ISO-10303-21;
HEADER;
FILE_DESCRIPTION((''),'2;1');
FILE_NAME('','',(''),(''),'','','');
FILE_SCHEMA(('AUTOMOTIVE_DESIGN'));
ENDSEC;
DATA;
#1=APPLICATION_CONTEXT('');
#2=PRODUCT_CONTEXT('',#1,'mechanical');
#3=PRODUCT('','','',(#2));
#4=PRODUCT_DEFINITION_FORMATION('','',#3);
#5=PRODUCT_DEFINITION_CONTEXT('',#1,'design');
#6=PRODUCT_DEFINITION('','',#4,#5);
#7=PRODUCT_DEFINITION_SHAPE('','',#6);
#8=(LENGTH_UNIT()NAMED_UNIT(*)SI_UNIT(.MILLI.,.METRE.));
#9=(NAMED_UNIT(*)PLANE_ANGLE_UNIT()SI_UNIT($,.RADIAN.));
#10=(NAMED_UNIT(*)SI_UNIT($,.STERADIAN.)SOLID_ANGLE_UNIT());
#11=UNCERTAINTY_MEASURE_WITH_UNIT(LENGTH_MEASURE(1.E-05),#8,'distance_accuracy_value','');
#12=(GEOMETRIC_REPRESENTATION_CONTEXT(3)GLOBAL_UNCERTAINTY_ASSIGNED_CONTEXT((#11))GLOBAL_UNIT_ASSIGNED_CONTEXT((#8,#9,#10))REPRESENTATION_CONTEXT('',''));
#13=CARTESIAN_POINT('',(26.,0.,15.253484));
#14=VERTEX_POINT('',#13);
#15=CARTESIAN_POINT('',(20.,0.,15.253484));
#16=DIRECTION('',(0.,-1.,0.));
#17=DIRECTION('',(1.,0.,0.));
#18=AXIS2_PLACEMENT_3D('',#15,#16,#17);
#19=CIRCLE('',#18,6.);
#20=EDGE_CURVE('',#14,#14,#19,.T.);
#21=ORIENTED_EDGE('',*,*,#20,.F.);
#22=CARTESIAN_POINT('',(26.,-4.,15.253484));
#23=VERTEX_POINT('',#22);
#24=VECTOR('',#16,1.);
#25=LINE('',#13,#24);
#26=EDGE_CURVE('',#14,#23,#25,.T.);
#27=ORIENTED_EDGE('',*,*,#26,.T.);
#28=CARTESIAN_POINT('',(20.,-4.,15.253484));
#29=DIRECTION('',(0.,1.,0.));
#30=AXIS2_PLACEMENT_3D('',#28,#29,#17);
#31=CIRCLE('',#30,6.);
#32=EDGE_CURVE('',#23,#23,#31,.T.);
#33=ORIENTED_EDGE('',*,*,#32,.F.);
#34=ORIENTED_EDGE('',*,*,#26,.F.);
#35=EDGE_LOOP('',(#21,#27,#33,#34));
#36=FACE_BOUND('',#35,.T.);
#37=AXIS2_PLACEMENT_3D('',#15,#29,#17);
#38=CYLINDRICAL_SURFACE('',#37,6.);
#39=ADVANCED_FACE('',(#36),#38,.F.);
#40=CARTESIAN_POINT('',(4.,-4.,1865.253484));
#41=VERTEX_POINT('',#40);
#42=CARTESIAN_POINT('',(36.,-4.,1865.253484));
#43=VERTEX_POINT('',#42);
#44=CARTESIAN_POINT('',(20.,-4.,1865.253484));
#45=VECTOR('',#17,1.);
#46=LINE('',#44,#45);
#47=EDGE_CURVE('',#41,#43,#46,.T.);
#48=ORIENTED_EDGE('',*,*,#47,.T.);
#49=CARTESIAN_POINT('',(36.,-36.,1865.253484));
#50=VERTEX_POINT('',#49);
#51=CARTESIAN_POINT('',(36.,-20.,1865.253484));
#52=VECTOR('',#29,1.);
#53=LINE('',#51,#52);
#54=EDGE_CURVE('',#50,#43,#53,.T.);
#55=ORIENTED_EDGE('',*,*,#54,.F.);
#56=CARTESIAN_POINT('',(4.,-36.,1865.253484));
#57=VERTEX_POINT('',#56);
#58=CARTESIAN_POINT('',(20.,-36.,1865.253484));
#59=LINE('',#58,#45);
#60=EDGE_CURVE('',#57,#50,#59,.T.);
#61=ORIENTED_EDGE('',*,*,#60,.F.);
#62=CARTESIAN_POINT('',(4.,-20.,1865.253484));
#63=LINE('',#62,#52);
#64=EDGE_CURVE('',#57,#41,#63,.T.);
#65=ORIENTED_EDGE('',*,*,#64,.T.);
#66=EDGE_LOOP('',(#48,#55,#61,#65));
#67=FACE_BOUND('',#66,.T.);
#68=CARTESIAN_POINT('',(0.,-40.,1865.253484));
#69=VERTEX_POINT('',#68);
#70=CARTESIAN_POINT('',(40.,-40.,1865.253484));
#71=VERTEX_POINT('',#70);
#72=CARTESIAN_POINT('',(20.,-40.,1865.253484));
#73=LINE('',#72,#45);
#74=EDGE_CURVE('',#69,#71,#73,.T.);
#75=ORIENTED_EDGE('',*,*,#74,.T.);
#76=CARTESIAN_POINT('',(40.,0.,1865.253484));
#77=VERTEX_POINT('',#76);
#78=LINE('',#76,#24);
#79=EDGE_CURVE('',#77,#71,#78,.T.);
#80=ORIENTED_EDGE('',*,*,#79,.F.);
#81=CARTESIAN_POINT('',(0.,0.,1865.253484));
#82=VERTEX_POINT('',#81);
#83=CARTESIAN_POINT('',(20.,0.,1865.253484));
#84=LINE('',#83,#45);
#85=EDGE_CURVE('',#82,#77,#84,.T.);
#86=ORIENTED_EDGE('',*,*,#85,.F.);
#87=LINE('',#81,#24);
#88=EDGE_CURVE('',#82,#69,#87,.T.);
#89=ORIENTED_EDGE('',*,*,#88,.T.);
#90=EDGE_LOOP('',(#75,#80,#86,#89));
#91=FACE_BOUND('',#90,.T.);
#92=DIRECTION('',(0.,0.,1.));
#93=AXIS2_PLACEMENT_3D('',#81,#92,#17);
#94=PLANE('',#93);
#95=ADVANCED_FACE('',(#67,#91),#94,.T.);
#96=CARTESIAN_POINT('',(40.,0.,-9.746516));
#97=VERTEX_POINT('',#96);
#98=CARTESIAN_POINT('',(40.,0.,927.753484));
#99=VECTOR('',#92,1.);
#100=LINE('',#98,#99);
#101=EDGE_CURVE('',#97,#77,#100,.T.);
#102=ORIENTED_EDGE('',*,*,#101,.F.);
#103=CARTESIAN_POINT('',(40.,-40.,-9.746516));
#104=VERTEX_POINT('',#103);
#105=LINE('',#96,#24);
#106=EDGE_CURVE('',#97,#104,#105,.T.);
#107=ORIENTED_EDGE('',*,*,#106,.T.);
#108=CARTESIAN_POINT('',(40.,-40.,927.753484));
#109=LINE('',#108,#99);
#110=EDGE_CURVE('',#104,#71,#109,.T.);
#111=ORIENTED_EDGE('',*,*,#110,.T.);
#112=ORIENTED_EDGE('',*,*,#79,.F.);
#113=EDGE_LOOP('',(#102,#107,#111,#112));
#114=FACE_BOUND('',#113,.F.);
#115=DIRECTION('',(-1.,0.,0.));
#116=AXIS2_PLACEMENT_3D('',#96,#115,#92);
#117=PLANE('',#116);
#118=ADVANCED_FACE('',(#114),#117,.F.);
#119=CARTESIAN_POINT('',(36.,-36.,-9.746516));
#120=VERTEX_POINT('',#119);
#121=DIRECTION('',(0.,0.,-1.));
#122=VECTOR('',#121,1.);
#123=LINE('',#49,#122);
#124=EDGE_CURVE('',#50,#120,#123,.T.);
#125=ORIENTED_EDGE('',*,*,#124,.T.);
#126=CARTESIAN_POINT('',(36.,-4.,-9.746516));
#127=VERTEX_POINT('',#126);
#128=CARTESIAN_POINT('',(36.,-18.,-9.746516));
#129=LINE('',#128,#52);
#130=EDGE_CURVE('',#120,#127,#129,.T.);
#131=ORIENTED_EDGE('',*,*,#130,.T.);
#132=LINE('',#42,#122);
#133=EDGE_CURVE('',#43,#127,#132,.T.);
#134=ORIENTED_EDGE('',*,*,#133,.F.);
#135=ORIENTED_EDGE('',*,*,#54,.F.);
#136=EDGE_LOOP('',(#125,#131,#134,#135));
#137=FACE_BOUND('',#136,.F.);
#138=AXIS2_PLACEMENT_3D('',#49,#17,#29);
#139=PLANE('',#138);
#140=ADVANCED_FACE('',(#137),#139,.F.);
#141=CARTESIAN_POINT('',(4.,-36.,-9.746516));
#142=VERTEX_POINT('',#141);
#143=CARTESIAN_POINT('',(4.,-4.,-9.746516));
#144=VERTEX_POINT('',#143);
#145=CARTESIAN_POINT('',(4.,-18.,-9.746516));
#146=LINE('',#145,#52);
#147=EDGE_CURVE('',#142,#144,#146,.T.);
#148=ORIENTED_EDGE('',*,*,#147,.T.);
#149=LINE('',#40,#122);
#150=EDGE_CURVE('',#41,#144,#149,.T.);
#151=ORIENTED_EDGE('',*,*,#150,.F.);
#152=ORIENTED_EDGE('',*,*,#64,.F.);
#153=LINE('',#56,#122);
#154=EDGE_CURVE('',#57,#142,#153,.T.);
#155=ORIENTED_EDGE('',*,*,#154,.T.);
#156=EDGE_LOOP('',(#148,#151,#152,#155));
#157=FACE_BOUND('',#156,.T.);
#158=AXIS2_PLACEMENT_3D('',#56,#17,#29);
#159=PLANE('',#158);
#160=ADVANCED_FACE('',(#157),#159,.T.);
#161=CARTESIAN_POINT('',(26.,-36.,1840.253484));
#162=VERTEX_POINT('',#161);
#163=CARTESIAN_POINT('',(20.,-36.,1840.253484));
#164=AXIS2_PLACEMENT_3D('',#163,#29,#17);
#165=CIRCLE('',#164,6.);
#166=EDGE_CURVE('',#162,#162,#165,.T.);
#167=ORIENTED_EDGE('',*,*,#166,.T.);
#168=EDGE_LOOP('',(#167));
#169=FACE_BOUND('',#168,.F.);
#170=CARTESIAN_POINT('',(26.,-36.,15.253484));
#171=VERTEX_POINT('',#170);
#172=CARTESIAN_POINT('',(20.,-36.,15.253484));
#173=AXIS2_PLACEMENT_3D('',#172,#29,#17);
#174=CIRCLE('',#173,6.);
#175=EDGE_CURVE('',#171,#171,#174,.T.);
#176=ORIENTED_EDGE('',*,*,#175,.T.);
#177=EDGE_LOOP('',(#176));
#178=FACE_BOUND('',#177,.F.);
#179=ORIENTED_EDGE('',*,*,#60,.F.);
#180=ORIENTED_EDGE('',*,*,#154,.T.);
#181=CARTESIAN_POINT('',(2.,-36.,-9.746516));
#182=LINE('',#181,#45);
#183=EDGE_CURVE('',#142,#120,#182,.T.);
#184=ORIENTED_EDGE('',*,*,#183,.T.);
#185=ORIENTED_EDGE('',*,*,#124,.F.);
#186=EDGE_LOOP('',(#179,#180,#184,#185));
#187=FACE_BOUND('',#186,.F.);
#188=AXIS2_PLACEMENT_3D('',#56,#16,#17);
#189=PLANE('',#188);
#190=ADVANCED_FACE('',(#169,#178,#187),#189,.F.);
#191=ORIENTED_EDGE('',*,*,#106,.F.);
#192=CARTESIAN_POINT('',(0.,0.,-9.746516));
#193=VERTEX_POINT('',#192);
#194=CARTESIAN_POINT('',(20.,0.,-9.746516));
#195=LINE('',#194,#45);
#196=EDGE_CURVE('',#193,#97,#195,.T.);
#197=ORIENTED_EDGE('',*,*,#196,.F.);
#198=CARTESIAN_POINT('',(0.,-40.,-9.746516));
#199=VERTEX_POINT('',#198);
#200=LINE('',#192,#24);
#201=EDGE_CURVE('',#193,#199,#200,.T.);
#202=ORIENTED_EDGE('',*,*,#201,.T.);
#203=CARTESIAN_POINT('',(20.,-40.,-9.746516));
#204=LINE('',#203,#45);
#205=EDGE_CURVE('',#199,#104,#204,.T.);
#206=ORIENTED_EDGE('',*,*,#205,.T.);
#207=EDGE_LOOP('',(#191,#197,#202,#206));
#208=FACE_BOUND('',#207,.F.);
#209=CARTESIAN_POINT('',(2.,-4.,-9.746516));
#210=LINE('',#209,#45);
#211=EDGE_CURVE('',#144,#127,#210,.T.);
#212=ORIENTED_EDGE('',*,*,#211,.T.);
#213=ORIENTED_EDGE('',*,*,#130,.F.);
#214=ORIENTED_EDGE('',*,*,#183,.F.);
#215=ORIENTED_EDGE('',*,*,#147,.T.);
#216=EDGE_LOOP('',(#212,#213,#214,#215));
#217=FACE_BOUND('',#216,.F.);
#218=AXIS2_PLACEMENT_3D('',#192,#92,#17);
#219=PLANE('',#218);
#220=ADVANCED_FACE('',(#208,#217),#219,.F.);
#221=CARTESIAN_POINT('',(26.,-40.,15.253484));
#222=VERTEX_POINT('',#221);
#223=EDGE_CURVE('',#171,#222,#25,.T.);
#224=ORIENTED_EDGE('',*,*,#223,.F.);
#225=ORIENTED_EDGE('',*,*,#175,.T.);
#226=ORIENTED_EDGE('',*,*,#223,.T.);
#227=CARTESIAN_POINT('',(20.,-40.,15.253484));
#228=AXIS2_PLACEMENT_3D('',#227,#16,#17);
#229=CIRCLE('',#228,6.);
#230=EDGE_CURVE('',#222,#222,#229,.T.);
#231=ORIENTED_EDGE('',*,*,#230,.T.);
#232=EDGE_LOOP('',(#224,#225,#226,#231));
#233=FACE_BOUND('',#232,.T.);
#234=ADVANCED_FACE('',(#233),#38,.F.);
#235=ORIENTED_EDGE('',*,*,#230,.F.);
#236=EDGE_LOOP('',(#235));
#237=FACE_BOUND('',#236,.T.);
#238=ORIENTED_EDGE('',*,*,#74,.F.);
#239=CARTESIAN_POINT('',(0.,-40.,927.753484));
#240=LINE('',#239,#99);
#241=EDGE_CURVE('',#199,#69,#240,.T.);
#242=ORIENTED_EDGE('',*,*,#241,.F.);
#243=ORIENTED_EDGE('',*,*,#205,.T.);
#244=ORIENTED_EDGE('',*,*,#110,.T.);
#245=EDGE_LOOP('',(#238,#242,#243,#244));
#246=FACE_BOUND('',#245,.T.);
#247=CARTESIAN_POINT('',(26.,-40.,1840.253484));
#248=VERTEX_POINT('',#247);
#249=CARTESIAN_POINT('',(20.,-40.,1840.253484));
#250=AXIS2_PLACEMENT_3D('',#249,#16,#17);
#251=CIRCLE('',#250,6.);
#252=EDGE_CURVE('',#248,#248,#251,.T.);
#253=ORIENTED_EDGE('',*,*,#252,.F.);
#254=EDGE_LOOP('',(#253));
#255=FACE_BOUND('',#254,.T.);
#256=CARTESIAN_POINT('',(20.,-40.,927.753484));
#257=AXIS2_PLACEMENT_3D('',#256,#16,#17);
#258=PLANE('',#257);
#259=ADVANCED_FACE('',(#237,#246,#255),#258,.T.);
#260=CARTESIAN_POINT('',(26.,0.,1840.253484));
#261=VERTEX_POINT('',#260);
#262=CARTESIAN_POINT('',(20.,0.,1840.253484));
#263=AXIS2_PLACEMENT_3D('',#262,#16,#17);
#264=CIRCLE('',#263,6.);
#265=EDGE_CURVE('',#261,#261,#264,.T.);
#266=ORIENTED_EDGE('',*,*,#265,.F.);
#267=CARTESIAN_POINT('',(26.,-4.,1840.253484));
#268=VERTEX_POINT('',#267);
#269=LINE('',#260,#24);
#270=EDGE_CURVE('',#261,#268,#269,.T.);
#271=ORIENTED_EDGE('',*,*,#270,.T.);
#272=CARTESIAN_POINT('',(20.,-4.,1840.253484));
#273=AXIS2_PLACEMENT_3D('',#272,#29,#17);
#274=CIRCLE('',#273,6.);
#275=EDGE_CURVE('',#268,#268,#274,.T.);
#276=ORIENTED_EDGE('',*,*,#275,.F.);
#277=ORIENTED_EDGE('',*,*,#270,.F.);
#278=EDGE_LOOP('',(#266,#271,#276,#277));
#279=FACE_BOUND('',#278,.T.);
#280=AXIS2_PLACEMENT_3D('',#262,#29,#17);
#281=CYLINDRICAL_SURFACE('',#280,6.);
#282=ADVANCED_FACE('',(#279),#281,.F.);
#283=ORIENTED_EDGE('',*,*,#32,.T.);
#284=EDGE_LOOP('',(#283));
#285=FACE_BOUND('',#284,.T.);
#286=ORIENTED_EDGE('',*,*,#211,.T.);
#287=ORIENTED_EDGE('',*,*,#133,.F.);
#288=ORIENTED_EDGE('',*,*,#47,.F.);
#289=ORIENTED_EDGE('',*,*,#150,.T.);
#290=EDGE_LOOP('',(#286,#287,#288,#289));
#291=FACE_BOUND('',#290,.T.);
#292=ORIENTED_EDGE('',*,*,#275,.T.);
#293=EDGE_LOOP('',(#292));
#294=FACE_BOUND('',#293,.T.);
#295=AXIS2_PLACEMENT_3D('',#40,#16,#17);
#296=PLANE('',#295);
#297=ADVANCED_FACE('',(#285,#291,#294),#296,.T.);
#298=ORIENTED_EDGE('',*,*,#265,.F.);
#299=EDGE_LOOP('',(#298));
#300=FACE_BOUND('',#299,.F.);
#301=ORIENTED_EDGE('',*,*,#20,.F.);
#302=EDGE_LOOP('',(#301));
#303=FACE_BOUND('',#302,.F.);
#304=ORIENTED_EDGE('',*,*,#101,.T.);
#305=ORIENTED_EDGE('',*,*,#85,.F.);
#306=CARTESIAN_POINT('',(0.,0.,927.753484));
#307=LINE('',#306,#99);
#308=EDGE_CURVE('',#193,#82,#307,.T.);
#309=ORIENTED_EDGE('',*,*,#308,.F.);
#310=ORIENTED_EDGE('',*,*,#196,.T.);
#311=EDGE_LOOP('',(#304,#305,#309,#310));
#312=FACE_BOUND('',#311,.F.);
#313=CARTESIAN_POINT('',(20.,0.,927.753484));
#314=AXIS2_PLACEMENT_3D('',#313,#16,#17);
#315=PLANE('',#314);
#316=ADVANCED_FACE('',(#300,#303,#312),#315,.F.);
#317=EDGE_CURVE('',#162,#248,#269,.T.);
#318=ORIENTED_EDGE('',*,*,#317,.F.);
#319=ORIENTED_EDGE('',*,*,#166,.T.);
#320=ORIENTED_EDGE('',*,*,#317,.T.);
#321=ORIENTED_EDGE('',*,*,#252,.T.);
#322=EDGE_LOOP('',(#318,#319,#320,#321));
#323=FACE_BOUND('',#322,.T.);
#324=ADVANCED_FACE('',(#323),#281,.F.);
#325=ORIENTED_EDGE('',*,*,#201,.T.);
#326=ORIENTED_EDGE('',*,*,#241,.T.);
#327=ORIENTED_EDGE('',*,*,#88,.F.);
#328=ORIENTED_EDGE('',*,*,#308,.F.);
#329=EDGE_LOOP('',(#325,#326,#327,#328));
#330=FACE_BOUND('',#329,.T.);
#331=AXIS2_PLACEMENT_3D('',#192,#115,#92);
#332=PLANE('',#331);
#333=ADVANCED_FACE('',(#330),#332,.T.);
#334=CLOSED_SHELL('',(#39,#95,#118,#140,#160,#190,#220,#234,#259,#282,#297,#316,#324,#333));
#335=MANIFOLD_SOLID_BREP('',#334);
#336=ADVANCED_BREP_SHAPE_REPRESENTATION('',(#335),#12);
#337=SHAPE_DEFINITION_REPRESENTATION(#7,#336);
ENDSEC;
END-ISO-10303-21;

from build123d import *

# Parameters (mm, degrees)
F0_W     = 40
F0_H     = 1875
F0_R     = 6
F1_DEPTH = 40
F2_W     = 32
F2_H     = 32
F3_DEPTH = 1875.001


with BuildPart() as f1:
    # F0 (on Front) → F1 (new body)
    with BuildSketch(Plane.XZ):
        with Locations((20, 927.753484)):
            Rectangle(F0_W, F0_H)
        with Locations((20, 15.253484)):
            Circle(F0_R, mode=Mode.SUBTRACT)
        with Locations((20, 1840.253484)):
            Circle(F0_R, mode=Mode.SUBTRACT)
    extrude(amount=F1_DEPTH)

    # F2 (on face) → F3 (cut, through all)
    with BuildSketch(Plane.XY.offset(1865.253484)):
        with Locations((20, -20)):
            Rectangle(F2_W, F2_H)
    extrude(amount=-F3_DEPTH, mode=Mode.SUBTRACT)


solid = f1.part
